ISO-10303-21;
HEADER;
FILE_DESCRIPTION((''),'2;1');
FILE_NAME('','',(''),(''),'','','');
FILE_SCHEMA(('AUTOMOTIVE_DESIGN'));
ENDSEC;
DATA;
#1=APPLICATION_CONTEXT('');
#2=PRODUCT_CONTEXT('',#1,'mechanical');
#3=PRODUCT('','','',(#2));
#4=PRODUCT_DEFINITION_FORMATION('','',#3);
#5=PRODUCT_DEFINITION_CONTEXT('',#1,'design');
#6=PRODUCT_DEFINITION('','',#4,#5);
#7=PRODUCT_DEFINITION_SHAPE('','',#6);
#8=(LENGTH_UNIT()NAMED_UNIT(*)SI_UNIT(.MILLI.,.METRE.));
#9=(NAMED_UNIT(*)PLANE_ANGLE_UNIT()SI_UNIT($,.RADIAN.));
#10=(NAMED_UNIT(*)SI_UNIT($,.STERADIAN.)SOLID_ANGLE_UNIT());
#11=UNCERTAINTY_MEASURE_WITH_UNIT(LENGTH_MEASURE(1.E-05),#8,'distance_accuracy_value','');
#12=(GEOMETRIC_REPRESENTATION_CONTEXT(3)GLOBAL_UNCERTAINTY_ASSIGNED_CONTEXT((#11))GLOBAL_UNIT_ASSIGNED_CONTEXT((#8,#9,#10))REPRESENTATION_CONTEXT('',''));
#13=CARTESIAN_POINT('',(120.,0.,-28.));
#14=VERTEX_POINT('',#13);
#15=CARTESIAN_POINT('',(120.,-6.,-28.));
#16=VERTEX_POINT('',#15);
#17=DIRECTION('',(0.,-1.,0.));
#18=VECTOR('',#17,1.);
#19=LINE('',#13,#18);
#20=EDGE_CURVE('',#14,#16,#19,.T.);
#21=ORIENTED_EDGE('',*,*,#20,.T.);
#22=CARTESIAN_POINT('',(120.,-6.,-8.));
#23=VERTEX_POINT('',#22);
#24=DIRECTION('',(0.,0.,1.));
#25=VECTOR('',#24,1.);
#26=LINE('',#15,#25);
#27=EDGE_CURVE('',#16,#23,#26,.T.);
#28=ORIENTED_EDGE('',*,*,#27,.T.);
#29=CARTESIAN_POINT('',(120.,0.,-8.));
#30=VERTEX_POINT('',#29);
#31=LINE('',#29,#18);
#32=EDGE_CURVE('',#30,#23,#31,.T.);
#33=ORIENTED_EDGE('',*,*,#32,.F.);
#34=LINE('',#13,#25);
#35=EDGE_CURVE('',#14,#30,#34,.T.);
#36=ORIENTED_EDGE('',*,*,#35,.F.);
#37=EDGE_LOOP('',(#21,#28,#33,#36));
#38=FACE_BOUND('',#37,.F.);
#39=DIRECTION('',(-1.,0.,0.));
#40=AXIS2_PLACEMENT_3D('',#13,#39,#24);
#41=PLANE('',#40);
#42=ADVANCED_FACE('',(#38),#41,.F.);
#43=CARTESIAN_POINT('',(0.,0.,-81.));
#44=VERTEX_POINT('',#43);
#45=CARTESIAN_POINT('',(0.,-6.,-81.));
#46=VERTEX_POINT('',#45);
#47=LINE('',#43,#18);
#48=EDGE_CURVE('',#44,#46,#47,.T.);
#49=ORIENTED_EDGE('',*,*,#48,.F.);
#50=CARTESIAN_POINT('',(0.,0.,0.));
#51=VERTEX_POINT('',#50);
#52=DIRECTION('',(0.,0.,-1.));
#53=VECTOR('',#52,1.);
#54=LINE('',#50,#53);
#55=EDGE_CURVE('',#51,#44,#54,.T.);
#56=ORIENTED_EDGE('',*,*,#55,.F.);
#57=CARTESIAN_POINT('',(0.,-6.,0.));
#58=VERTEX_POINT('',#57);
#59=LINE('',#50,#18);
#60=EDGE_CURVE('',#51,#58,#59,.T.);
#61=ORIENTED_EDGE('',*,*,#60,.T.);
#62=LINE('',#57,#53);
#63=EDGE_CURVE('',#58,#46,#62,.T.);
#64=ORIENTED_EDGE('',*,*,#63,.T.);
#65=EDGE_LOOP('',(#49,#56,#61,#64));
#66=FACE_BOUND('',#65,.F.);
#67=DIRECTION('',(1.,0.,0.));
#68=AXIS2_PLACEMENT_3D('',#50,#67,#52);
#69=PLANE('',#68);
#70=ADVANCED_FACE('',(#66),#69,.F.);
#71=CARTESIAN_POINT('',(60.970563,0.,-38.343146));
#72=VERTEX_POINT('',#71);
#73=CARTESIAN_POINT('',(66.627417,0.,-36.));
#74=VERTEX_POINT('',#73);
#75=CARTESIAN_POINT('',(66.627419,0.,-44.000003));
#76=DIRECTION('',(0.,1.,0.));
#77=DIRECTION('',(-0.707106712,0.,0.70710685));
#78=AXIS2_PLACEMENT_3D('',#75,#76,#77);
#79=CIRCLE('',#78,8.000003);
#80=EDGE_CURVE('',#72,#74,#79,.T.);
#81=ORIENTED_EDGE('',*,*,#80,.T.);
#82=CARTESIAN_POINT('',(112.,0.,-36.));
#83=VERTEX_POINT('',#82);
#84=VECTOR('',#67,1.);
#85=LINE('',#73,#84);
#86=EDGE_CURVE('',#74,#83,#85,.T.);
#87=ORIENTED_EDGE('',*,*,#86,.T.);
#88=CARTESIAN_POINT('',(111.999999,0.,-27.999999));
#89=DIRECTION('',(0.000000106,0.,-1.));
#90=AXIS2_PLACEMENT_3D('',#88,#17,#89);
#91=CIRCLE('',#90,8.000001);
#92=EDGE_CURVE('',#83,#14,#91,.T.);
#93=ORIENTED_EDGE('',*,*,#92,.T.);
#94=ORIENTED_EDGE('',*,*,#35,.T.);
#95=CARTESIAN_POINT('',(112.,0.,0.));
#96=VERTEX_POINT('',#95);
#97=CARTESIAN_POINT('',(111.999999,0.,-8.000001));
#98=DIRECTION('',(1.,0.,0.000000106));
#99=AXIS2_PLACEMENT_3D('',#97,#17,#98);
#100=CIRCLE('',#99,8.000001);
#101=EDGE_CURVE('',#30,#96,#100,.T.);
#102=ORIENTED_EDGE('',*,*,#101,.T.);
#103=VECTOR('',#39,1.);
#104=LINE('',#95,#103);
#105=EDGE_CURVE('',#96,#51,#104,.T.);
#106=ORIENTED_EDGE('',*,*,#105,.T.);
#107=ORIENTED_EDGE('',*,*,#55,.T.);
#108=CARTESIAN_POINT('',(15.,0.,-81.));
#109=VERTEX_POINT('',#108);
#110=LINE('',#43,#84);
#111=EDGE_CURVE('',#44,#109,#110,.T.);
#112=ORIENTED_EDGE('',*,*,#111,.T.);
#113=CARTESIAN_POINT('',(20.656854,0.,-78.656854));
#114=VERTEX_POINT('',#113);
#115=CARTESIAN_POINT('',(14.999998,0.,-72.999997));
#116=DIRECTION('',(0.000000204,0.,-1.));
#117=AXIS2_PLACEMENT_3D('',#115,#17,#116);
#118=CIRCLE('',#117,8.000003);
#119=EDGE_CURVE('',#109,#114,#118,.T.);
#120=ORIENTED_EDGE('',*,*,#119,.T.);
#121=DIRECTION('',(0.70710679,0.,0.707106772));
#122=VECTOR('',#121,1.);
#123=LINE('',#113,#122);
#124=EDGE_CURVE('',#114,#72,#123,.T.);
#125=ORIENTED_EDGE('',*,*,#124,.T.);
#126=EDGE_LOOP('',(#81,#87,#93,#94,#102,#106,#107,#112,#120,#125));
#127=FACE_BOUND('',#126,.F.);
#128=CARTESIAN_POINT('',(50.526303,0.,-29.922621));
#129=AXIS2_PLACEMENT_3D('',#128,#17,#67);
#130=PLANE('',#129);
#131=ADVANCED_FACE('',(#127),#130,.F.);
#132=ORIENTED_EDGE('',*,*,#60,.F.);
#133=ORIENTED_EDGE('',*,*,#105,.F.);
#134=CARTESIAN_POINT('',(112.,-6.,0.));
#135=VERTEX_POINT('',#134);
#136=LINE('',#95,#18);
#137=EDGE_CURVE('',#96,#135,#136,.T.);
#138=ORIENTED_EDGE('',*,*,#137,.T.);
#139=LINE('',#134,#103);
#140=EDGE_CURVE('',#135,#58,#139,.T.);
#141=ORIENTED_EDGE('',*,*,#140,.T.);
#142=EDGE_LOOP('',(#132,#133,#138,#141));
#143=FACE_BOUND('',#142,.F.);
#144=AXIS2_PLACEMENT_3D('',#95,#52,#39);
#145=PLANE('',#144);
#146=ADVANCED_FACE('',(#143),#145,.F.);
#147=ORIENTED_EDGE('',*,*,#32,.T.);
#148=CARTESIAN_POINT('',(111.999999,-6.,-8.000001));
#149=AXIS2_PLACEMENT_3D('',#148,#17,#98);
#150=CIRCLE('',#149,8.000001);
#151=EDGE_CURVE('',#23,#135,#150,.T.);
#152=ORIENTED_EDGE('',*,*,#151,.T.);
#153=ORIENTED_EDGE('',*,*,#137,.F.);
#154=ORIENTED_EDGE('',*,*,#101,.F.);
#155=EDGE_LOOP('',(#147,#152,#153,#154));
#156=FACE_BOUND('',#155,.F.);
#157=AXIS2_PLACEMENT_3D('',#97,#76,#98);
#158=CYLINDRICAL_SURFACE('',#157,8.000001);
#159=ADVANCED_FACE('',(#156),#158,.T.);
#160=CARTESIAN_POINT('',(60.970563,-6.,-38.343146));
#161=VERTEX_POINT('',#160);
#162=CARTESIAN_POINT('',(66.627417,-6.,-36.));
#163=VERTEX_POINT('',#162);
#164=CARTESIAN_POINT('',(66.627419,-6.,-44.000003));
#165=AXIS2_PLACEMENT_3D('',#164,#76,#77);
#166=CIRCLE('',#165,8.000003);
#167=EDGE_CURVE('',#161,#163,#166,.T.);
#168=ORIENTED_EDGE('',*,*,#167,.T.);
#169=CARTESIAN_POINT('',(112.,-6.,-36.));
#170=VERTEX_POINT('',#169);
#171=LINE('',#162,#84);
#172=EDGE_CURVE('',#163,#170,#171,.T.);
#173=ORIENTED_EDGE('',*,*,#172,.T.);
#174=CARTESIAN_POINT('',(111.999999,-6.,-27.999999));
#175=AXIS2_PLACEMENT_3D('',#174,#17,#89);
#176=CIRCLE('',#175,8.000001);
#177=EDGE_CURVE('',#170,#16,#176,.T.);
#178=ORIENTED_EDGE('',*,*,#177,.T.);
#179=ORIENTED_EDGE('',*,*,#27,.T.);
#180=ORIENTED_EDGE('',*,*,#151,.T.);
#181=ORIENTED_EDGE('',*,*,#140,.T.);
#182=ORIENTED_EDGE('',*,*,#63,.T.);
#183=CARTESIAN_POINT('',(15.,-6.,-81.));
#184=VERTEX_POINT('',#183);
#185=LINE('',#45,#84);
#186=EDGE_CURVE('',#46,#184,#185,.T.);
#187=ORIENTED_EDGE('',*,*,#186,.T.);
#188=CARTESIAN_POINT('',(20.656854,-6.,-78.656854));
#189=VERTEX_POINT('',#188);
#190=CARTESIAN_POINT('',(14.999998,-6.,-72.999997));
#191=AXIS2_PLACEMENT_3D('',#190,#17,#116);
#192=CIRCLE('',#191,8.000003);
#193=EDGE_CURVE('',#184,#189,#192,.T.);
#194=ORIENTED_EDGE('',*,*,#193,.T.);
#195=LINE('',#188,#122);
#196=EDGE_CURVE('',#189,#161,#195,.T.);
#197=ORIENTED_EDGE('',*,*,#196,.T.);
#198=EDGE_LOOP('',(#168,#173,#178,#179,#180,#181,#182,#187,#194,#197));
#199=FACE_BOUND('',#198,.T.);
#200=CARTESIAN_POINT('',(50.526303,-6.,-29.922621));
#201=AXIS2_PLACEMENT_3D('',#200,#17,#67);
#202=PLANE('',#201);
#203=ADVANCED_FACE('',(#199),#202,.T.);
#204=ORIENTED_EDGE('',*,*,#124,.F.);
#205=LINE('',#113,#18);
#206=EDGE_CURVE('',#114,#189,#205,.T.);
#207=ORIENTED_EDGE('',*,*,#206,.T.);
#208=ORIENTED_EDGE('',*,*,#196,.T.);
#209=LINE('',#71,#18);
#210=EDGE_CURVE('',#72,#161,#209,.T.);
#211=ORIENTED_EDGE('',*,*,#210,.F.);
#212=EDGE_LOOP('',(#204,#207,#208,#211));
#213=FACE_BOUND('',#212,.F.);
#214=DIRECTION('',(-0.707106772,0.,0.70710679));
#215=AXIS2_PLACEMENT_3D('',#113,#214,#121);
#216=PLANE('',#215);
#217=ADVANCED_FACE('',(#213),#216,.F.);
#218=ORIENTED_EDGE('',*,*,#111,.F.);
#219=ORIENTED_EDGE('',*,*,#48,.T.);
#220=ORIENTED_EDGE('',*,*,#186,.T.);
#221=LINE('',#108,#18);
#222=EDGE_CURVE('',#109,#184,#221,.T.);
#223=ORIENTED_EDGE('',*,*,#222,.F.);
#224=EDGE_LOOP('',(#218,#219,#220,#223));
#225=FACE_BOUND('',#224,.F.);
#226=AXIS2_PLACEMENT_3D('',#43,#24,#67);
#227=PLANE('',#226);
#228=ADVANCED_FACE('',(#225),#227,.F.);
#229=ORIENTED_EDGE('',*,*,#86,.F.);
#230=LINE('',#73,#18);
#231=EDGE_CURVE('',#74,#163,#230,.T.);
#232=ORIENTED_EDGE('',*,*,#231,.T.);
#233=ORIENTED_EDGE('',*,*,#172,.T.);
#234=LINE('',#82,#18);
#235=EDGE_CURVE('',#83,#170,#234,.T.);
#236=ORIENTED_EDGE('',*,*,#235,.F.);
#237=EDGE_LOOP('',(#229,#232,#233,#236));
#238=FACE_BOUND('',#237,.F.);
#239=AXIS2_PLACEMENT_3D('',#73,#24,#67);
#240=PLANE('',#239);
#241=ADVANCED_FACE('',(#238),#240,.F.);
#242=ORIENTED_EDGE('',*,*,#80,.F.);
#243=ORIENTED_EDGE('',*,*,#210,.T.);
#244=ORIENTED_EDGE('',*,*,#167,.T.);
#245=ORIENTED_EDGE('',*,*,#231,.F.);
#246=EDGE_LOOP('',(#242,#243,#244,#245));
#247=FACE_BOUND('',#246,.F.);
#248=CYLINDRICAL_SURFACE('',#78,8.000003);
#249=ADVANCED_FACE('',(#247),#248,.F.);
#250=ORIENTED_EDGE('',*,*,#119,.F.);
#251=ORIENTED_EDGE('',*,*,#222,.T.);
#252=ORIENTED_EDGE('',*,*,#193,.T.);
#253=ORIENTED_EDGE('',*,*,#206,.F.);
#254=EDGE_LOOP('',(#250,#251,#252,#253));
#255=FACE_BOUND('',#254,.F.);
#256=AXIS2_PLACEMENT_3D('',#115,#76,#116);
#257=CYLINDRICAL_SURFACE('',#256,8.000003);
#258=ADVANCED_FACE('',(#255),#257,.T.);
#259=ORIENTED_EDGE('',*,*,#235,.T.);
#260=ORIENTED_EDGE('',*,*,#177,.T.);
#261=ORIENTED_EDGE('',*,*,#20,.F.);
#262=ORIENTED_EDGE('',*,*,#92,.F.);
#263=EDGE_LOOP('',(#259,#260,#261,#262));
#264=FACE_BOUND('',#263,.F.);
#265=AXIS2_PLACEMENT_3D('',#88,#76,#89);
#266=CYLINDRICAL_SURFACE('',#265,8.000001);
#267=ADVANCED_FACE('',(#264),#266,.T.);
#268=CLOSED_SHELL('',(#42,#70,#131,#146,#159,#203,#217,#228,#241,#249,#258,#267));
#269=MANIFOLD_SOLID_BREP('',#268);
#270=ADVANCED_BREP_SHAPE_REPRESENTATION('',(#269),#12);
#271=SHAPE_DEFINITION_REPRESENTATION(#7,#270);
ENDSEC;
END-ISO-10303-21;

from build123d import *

# Parameters (mm, degrees)
F1_DEPTH = 6


with BuildPart() as f1:
    # F0 (on Front) → F1 (new body)
    with BuildSketch(Plane.XZ):
        with BuildLine():
            ThreePointArc((15, -81), (18.061467, -80.391036), (20.656854, -78.656854))
            Line((20.656854, -78.656854), (60.970563, -38.343146))
            ThreePointArc((60.970563, -38.343146), (63.56595, -36.608964), (66.627417, -36))
            Line((66.627417, -36), (112, -36))
            ThreePointArc((112, -36), (117.656854, -33.656854), (120, -28))
            Line((120, -28), (120, -8))
            ThreePointArc((120, -8), (117.656854, -2.343146), (112, 0))
            Line((112, 0), (0, 0))
            Line((0, 0), (0, -81))
            Line((0, -81), (15, -81))
        make_face()
    extrude(amount=F1_DEPTH)


solid = f1.part
